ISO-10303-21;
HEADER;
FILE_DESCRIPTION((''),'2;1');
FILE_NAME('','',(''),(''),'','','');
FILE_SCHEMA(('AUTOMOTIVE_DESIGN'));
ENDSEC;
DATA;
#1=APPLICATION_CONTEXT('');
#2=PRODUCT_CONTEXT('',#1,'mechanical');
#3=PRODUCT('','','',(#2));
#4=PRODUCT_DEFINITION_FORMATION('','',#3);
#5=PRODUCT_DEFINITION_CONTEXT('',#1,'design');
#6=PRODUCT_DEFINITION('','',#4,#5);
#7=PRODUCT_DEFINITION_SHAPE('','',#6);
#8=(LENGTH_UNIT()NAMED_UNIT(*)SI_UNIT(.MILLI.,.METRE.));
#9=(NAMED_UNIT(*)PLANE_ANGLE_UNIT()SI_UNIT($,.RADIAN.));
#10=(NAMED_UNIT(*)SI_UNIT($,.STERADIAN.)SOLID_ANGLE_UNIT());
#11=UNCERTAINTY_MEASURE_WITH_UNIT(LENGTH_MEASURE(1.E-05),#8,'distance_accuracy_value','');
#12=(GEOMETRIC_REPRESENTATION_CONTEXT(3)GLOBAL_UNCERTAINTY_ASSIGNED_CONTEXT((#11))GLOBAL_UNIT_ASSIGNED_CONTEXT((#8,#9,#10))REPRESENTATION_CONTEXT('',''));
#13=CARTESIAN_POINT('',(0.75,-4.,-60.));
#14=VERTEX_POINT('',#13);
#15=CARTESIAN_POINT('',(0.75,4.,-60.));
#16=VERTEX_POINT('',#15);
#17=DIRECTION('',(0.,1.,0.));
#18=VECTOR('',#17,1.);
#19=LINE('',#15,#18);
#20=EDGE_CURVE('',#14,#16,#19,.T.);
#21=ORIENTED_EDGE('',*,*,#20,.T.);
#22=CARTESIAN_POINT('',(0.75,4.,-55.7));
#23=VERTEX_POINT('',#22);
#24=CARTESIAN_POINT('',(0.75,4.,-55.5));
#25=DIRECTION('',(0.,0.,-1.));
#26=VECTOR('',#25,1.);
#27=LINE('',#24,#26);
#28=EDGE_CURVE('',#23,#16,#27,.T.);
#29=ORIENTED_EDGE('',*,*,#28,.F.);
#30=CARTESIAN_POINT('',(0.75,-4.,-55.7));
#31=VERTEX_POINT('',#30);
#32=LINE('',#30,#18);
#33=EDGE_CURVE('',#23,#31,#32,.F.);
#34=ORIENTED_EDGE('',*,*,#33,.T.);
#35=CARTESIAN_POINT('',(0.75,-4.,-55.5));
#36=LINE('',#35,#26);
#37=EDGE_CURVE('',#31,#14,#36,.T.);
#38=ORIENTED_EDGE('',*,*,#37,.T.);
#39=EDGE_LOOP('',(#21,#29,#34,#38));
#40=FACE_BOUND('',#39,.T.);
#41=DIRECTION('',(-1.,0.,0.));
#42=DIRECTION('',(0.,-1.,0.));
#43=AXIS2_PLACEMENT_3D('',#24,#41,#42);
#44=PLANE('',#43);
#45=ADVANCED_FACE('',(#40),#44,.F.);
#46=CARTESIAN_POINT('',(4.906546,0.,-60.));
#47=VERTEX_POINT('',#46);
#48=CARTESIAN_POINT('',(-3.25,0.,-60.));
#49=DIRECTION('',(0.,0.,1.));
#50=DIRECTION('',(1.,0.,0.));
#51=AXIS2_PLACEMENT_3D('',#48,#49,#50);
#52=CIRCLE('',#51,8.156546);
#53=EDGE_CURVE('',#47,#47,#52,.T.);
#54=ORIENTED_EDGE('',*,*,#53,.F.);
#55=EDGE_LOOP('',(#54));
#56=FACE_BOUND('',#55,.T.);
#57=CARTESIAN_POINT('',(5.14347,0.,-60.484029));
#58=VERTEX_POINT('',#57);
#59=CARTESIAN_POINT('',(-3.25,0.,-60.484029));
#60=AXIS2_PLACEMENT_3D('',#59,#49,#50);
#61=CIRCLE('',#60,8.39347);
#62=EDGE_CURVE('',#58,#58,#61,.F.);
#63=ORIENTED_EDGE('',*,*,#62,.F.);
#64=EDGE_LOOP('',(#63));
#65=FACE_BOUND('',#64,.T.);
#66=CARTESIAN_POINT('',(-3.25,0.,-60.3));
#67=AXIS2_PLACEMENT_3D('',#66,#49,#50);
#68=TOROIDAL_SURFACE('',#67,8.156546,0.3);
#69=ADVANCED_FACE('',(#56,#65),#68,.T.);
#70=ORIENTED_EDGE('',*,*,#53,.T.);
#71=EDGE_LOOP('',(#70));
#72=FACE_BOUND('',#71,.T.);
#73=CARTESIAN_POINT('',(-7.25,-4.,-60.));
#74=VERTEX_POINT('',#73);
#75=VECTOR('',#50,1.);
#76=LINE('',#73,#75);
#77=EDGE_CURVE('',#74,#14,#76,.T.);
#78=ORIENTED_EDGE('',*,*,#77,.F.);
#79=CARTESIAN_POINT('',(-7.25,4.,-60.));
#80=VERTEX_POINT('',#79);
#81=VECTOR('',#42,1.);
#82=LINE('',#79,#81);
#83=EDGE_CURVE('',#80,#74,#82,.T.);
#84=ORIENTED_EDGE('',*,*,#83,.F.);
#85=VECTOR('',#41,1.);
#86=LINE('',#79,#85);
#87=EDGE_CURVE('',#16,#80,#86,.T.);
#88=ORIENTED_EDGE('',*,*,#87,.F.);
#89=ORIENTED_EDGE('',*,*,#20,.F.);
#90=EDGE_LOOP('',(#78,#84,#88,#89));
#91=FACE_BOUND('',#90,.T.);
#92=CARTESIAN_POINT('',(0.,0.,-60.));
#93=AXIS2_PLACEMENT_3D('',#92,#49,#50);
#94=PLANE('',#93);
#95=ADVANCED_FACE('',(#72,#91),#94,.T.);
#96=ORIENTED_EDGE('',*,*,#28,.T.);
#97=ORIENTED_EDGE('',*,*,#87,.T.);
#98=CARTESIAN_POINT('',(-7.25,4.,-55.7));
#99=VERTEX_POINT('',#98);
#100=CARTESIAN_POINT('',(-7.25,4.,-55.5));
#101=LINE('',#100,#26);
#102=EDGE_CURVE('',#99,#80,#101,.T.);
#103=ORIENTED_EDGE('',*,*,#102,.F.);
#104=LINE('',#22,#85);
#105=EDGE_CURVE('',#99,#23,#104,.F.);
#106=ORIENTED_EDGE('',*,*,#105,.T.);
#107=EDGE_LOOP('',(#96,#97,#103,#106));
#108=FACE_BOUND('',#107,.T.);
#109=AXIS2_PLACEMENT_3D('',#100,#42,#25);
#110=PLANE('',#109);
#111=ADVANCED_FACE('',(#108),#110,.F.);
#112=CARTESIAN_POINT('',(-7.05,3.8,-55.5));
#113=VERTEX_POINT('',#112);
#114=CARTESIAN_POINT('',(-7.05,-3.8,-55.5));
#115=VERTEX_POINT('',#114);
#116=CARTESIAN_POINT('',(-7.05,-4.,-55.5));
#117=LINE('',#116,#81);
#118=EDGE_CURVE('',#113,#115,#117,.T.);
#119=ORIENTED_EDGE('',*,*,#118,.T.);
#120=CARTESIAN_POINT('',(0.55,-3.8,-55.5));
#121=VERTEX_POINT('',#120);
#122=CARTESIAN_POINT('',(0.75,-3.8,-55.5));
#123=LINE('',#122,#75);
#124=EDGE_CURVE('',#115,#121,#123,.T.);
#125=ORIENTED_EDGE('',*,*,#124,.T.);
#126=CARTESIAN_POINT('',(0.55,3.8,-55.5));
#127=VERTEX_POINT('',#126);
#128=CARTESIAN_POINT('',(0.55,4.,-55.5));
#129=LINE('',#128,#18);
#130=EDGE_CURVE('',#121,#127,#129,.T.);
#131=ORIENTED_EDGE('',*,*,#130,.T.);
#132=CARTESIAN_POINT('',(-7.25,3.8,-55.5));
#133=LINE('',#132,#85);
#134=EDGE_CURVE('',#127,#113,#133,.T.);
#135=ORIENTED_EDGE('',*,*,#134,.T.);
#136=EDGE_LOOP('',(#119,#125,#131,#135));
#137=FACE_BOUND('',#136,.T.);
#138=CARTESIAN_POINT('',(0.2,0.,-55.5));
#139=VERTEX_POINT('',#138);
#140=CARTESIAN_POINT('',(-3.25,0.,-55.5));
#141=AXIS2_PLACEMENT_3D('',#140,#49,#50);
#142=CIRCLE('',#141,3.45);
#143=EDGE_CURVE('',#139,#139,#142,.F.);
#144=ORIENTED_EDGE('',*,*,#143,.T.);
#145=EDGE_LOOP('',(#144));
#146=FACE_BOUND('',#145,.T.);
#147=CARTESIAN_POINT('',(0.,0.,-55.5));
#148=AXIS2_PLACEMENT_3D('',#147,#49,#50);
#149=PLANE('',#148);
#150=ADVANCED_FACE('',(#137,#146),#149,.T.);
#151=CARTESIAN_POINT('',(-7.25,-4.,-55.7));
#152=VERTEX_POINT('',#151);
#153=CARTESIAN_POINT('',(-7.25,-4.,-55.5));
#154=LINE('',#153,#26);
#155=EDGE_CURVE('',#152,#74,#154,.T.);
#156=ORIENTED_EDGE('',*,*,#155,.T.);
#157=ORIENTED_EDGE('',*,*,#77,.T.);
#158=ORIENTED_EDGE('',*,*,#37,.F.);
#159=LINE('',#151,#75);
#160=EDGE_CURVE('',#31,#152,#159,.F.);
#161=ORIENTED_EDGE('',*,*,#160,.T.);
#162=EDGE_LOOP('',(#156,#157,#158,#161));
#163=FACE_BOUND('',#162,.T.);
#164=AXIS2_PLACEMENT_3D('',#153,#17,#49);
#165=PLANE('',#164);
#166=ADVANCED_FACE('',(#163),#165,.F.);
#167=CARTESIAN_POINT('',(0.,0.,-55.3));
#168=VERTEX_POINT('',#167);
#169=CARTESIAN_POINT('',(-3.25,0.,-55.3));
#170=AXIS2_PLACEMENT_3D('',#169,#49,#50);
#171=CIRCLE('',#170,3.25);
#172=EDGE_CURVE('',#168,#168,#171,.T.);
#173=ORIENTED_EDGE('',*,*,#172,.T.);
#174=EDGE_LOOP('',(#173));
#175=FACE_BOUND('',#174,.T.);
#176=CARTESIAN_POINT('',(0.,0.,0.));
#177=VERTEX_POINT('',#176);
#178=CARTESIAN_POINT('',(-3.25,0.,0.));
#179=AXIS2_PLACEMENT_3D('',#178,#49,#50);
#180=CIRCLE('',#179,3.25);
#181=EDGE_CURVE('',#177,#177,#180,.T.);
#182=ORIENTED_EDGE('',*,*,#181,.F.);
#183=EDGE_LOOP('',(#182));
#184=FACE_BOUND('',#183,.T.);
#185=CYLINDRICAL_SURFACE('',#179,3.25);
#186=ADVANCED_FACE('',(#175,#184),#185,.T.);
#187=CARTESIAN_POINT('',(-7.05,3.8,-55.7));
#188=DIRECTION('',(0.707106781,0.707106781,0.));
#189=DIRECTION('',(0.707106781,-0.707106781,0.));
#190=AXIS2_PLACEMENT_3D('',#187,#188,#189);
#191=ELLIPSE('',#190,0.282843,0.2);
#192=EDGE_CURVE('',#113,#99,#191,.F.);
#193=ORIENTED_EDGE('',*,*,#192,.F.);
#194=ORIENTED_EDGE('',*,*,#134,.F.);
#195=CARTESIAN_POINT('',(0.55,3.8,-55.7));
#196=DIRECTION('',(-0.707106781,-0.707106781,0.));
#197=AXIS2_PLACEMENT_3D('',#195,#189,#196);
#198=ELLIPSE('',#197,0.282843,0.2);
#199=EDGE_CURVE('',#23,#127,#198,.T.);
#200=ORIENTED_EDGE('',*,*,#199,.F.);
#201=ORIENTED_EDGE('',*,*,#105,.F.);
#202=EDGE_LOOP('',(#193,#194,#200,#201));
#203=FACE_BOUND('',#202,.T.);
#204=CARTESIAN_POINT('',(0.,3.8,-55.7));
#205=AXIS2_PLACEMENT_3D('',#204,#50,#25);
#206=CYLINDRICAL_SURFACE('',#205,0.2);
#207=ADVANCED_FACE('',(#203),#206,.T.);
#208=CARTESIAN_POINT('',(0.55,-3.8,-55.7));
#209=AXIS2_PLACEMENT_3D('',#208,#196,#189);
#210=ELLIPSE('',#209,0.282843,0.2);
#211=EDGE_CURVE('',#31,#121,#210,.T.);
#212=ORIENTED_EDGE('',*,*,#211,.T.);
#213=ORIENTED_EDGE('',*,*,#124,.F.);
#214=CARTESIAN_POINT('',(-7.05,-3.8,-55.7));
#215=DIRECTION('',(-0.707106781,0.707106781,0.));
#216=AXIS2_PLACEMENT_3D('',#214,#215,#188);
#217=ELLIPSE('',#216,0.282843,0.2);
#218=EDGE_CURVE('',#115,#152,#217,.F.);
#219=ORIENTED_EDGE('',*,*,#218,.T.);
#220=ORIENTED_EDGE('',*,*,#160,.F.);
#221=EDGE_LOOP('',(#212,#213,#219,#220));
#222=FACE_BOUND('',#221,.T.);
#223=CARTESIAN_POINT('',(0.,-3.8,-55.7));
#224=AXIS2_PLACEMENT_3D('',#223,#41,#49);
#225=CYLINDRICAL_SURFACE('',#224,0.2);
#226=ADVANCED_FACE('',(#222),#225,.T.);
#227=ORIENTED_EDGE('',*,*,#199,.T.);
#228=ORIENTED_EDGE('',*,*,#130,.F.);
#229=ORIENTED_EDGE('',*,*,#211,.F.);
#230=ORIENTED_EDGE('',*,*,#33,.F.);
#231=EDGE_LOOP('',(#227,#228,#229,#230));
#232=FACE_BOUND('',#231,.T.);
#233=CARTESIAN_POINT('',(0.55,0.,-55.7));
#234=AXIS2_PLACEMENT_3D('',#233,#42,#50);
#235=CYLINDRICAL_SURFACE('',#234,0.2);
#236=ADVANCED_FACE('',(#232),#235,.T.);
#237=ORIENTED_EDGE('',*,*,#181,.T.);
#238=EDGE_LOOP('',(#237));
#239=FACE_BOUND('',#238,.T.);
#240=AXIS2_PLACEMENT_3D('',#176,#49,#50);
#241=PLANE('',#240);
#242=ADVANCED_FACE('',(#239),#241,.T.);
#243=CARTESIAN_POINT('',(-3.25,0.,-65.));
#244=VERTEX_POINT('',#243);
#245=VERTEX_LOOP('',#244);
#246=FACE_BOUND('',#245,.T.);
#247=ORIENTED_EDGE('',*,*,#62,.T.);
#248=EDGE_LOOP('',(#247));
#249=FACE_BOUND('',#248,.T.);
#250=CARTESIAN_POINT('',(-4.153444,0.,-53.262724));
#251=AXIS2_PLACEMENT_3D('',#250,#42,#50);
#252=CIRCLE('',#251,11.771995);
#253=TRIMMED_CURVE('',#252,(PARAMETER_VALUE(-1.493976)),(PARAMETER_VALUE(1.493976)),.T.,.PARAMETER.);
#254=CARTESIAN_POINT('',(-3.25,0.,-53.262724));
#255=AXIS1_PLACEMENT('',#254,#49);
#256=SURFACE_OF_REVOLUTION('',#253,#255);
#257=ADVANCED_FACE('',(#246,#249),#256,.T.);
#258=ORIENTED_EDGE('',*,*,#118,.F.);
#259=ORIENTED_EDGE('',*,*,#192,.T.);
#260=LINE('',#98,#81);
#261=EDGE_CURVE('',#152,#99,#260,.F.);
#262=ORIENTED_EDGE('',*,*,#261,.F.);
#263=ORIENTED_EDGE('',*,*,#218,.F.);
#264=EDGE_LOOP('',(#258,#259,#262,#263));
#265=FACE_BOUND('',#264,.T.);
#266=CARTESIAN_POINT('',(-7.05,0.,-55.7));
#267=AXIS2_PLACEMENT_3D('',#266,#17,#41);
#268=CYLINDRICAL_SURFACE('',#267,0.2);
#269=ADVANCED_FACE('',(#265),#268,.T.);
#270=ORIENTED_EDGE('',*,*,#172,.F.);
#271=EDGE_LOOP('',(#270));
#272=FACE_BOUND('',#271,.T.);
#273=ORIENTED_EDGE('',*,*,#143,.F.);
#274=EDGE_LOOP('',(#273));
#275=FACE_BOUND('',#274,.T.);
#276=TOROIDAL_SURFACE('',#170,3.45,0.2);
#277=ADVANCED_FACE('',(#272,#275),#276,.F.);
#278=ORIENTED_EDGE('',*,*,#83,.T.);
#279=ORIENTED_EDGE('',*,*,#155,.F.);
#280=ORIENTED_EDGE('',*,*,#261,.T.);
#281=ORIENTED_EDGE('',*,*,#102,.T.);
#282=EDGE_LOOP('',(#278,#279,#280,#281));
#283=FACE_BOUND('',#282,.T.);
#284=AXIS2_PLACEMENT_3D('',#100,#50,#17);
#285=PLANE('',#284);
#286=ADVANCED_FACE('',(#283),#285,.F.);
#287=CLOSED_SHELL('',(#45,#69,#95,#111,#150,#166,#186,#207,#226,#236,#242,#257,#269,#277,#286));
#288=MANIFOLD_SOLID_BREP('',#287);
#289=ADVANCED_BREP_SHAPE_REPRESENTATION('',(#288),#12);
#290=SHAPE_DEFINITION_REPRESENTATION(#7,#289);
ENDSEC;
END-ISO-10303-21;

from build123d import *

# Parameters (mm, degrees)
SKETCH2_W           = 8
SKETCH2_H           = 8
BOSS_EXTRUDE1_DEPTH = 4.5
FILLET3_R           = 0.2
FILLET4_R           = 0.3


with BuildPart() as part:
    # Sketch1 → Revolve1 (revolve)
    with BuildSketch(Plane(origin=(0, 0, 0), x_dir=(1, 0, 0), z_dir=(0, 1, 0))):
        with BuildLine():
            Line((0, 0), (0, 60))
            Line((0, 60), (5.5, 60))
            ThreePointArc((5.5, 60), (1.687101474, 63.483677579), (-3.25, 65))
            Line((-3.25, 65), (-3.25, 60))
            Line((-3.25, 60), (-3.25, 0))
            Line((-3.25, 0), (0, 0))
        make_face()
    revolve(axis=Axis((-3.25, 0, 0), (0, 0, -1)))

    # Sketch2 → Boss-Extrude1 (add)
    with BuildSketch(Plane.XY.offset(-60)):
        with Locations((-3.25, 0)):
            Rectangle(SKETCH2_W, SKETCH2_H)
    extrude(amount=BOSS_EXTRUDE1_DEPTH)

    # Fillet3
    fillet3_edges = [part.edges().sort_by_distance(p)[0] for p in [
        (-6.5, 0, -55.5),
        (0.75, 0, -55.5),
        (-3.25, 4, -55.5),
        (-7.25, 0, -55.5),
        (-3.25, -4, -55.5),
    ]]
    fillet(fillet3_edges, radius=FILLET3_R)

    # Fillet4
    fillet4_edges = [part.edges().sort_by_distance(p)[0] for p in [
        (-12, 0, -60),
    ]]
    fillet(fillet4_edges, radius=FILLET4_R)


solid = part.part
